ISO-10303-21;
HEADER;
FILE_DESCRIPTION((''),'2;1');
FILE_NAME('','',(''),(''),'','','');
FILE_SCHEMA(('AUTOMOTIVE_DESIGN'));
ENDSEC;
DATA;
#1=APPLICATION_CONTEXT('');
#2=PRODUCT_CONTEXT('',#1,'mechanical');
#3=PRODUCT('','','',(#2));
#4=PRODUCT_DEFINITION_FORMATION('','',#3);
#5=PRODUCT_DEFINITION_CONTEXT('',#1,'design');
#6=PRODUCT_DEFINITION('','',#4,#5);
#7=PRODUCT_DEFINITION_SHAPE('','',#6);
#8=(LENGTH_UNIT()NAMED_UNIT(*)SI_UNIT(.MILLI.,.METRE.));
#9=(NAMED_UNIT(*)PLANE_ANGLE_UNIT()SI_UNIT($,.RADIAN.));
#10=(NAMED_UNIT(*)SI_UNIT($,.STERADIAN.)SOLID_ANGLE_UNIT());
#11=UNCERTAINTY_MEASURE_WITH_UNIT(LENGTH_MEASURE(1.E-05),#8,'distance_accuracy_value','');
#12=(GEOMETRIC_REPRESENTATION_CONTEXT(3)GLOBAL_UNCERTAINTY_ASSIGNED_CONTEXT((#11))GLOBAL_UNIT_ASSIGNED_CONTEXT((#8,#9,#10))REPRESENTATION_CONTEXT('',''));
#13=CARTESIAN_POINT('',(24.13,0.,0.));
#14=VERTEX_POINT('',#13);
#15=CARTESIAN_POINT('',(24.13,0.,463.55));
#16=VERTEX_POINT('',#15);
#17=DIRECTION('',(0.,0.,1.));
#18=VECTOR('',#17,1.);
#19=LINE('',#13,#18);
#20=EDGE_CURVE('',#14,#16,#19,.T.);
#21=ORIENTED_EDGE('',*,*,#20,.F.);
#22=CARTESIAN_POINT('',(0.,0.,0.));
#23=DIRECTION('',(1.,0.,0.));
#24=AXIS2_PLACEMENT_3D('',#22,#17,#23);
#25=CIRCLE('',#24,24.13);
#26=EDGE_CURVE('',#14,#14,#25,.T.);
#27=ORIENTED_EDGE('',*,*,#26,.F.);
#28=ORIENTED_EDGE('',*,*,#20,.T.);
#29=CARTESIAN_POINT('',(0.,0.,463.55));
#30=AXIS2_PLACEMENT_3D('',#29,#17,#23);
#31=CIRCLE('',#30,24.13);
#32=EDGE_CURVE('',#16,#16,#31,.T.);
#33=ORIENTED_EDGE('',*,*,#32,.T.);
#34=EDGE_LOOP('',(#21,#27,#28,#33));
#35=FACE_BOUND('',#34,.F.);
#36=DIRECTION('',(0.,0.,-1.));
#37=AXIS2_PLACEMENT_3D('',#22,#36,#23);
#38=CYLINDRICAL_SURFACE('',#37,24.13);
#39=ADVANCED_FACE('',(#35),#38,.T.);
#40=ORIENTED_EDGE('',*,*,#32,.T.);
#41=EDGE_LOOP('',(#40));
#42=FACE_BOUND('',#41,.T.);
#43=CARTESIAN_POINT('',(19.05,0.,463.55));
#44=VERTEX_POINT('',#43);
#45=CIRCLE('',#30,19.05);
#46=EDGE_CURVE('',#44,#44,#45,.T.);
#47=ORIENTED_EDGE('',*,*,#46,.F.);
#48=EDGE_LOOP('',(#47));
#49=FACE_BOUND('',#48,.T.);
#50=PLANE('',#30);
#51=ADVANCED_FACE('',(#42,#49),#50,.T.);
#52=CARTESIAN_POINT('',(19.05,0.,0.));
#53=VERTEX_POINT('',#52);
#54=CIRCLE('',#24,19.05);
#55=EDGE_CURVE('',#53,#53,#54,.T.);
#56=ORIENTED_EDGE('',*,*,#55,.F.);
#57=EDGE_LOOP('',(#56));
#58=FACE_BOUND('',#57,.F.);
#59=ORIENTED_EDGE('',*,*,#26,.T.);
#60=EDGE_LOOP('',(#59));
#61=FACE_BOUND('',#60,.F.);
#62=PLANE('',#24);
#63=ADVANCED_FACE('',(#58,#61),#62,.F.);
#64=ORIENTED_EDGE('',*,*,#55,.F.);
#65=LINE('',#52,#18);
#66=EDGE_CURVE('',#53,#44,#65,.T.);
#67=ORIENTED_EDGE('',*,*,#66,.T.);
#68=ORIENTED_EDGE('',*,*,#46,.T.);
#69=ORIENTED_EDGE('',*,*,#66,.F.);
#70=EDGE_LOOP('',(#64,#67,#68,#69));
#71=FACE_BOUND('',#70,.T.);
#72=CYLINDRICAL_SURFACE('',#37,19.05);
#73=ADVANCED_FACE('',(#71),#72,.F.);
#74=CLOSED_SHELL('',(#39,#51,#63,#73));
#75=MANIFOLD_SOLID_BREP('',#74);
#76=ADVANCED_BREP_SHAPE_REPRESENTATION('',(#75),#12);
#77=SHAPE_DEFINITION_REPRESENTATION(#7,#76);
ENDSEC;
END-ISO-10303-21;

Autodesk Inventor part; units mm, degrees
ref_plane "YZ Plane" through (0, 0, 0) normal (1, 0, 0) x (0, 1, 0)
ref_plane "XZ Plane" through (0, 0, 0) normal (0, 1, 0) x (-1, 0, 0)
ref_plane "XY Plane" through (0, 0, 0) normal (0, 0, 1) x (1, 0, 0)
sketch "Sketch1" plane through (0, 0, 0) normal (0, 0, 1) x (1, 0, 0)
  circle A0 centre (0, 0) radius 24.13
  circle A1 centre (0, 0) radius 19.05
  dimension "d0" = 48.26
  dimension "d1" = 38.1
extrude "Extrusion1" add sketch "Sketch1" along normal blind 463.55
properties part number "A1-18002-100-33 1.25in x 2ft bar tube" material "PVC-Piping"
